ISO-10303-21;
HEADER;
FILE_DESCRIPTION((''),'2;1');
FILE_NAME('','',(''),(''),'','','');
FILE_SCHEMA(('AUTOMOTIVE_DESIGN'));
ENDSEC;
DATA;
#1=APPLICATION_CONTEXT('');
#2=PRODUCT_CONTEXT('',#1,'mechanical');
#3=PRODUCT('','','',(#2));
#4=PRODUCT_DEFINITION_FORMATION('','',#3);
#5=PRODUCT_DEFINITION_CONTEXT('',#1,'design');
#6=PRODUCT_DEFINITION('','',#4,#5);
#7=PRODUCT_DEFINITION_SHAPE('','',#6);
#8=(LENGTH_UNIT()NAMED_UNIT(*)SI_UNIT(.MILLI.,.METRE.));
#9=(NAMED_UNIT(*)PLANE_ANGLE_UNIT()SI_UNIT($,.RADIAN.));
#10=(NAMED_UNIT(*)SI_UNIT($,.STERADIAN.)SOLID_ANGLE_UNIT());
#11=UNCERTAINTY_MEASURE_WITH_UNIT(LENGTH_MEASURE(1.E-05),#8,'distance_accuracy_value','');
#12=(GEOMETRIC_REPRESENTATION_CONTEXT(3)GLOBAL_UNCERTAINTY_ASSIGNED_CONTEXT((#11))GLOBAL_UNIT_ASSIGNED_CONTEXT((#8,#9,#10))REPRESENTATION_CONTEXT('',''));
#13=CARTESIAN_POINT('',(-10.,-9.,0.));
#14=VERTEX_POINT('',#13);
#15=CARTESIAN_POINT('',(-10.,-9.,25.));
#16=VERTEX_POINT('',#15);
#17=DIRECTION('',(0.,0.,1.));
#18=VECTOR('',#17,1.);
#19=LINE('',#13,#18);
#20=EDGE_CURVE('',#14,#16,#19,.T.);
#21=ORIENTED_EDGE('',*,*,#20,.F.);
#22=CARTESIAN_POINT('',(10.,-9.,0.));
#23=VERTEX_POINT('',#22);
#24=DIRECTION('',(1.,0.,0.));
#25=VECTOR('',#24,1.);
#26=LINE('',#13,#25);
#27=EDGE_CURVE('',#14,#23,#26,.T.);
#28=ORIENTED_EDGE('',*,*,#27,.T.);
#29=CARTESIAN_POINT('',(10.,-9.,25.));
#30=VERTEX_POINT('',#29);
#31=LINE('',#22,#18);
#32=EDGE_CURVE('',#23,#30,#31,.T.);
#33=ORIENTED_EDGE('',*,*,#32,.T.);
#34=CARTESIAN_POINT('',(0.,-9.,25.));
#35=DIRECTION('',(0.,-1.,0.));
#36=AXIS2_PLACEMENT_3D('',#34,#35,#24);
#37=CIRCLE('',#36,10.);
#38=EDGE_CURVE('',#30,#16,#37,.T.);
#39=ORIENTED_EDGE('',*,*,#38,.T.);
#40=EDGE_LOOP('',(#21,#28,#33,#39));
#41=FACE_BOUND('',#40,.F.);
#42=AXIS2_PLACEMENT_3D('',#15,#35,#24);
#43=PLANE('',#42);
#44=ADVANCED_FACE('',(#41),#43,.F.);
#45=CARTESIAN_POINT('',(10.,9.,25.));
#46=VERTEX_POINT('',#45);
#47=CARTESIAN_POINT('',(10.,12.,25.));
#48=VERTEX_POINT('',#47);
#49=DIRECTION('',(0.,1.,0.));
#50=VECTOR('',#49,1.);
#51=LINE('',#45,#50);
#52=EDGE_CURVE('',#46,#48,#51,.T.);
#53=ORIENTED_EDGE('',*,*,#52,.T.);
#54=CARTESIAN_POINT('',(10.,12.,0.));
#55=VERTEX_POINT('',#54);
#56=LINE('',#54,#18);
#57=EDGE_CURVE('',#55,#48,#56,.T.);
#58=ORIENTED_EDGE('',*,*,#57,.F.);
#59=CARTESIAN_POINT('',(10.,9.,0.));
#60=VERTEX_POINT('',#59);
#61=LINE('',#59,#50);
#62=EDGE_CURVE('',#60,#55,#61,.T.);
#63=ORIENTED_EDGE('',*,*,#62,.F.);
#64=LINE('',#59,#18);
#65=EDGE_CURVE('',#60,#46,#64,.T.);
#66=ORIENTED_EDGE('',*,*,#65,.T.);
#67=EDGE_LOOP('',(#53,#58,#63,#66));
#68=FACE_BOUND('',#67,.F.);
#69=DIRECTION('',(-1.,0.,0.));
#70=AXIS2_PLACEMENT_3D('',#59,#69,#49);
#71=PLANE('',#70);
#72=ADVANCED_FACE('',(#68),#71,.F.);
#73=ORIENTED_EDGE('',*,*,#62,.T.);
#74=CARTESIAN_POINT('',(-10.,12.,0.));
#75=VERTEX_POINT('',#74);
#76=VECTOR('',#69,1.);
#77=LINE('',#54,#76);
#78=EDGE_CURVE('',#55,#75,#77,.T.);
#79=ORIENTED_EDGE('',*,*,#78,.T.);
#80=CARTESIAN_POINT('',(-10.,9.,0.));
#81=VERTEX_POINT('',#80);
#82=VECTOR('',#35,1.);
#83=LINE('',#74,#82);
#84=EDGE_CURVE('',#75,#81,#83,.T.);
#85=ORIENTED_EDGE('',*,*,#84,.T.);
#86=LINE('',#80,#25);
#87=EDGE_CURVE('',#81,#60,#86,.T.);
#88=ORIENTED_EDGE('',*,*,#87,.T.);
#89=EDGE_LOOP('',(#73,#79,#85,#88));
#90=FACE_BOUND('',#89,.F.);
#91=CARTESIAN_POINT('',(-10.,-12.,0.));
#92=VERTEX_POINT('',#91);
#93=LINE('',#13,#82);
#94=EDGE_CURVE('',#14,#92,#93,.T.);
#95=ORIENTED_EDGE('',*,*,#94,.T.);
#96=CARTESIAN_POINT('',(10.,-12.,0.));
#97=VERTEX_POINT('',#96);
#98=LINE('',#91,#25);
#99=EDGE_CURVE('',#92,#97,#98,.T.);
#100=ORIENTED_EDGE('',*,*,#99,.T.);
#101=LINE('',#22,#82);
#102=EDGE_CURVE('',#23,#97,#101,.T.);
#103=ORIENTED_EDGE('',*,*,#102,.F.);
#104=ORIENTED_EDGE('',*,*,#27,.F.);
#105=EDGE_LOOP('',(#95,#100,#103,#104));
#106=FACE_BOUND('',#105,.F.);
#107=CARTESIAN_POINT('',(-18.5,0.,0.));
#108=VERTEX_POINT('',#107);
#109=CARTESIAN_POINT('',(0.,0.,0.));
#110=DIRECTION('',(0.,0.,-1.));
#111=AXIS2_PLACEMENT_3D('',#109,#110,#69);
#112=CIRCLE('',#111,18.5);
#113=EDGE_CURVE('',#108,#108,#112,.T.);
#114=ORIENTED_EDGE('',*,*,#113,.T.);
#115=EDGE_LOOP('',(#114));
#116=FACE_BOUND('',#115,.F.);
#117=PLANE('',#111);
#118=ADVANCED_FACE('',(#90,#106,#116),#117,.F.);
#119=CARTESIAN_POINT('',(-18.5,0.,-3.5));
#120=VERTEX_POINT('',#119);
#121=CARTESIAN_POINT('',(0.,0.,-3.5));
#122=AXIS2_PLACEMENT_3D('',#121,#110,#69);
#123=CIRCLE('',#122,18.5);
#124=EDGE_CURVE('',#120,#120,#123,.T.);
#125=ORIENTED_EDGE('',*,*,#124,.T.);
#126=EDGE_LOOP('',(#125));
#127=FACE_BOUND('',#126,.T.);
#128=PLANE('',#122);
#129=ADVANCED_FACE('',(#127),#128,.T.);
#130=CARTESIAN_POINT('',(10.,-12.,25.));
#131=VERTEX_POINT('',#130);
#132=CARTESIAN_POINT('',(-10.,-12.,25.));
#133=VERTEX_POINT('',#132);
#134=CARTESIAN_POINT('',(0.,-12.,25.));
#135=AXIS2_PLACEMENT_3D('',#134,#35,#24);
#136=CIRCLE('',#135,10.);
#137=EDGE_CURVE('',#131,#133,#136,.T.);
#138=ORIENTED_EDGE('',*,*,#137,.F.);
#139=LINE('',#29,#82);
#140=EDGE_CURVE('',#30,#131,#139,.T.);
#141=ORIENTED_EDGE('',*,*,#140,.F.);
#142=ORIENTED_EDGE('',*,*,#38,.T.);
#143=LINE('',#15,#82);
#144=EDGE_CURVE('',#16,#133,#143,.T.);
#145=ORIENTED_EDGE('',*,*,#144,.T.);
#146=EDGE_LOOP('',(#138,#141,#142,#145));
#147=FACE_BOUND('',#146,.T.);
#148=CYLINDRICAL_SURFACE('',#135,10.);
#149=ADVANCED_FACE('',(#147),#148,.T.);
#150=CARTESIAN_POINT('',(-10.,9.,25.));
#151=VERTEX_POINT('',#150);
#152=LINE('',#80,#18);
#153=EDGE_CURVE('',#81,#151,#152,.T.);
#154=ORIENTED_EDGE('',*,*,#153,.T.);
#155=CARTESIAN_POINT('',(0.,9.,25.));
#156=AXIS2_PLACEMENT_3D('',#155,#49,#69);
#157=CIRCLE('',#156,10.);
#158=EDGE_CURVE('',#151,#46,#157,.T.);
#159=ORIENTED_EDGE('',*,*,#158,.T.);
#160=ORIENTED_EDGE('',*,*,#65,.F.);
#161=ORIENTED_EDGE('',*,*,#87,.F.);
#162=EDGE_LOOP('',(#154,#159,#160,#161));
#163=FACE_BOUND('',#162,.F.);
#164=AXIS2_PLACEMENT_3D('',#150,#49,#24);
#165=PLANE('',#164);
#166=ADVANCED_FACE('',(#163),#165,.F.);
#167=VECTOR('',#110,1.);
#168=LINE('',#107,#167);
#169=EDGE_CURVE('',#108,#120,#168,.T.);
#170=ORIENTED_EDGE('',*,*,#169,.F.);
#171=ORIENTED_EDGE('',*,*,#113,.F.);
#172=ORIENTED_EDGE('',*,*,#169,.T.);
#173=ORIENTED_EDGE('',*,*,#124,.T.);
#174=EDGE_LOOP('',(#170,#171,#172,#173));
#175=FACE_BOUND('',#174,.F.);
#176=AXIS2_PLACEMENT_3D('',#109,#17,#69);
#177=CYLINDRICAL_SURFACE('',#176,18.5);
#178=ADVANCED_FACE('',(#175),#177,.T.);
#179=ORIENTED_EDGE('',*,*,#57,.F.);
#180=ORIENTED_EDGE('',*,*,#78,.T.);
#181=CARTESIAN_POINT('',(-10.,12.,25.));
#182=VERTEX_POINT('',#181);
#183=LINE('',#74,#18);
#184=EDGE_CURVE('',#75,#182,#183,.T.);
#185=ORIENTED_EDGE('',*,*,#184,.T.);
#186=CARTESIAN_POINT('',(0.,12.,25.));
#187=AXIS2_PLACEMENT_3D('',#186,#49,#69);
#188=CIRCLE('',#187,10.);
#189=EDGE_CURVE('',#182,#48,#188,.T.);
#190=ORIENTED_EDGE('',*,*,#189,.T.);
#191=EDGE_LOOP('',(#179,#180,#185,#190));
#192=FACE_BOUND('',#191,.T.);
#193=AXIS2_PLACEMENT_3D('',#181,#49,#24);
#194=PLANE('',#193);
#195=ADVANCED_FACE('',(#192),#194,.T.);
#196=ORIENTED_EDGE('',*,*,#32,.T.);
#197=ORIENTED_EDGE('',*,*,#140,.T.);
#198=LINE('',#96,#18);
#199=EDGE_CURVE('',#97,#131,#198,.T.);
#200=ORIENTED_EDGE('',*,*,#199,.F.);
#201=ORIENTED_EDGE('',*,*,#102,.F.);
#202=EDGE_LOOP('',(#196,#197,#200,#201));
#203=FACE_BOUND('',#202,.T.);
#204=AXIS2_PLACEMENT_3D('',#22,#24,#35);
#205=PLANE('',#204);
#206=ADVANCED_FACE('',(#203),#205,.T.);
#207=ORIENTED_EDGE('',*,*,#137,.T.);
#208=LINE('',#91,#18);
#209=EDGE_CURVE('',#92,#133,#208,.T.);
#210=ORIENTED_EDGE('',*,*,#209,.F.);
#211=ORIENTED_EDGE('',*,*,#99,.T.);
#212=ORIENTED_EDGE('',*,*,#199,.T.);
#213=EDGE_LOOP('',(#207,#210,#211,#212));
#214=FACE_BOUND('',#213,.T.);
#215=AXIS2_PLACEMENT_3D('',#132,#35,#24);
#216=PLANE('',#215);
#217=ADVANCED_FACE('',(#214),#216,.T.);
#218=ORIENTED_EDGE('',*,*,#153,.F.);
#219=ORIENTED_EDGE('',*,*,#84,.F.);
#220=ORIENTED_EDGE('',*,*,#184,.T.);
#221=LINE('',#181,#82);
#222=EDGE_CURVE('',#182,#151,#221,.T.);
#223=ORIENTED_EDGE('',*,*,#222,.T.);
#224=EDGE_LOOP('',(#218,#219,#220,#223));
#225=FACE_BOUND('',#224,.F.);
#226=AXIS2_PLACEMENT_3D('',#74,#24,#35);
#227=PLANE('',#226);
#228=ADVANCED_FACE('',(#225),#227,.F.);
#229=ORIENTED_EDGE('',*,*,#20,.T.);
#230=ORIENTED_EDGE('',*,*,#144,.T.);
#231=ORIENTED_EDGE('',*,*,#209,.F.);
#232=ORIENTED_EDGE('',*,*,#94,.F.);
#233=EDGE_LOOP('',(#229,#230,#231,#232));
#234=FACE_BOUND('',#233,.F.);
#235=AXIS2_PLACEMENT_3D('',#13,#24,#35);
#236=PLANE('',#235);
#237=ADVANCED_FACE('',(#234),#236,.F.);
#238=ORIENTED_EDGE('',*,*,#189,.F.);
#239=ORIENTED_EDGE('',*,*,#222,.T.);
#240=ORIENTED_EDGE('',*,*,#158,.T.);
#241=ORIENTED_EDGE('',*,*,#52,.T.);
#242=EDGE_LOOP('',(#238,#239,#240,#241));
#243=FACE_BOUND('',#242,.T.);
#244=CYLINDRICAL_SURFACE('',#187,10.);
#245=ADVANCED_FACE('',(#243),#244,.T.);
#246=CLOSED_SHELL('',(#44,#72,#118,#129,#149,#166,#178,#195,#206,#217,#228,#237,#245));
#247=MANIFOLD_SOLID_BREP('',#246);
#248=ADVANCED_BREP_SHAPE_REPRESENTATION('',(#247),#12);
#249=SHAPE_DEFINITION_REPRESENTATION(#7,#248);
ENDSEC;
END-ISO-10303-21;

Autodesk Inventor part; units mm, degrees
ref_plane "YZ Plane" through (0, 0, 0) normal (1, 0, 0) x (0, 1, 0)
ref_plane "XZ Plane" through (0, 0, 0) normal (0, 1, 0) x (-1, 0, 0)
ref_plane "XY Plane" through (0, 0, 0) normal (0, 0, 1) x (1, 0, 0)
sketch "Sketch1 - walls" plane through (0, 0, 0) normal (0, 0, 1) x (1, 0, 0)
  line L0 (0, -9) -> (0, 9) construction
  line L1 (-10, -9) -> (-10, -12)
  line L2 (-10, -12) -> (10, -12)
  line L3 (-10, -9) -> (10, -9)
  line L4 (10, -9) -> (10, -12)
  line L5 (-10, 9) -> (10, 9)
  line L6 (10, 9) -> (10, 12)
  line L7 (10, 12) -> (-10, 12)
  line L8 (-10, 12) -> (-10, 9)
  point P0 (0, 0)
  dimension "d5" = 18
  dimension "d7" = 3
  dimension "d8" = 20
  dimension "d9" = 3
  dimension "d10" = 20
extrude "Extrusion1" add sketch "Sketch1 - walls" along normal blind 25
sketch "Sketch2 - base" plane through (0, 0, 0) normal (0, 0, -1) x (-1, 0, 0)
  circle A0 centre (0, 0) radius 18.5
  dimension "d13" = 37
sketch "Sketch3 - wall_top1" plane through (-10, 12, 25) normal (0, 1, 0) x (1, 0, 0)
  line L0 (10, 0) -> (10, -10) construction
  line L1 (20, 0) -> (0, 0) projected
  arc A0 (0, 0) -> (20, 0) centre (10, 0) ccw
  point P0 (10, 25)
  dimension "d16" = 10
extrude "Extrusion3" add sketch "Sketch3 - wall_top1" against normal blind 3
sketch "Sketch4 - wall_top2" plane through (-10, -12, 25) normal (0, -1, 0) x (1, 0, 0)
  line L0 (10, 0) -> (10, 10) construction
  line L1 (0, 0) -> (20, 0) projected
  arc A0 (20, 0) -> (0, 0) centre (10, 0) ccw
  dimension "d21" = 10
extrude "Extrusion4" add sketch "Sketch4 - wall_top2" against normal blind 3
extrude "Extrusion2" add sketch "Sketch2 - base" along normal blind 3.5
properties part number "swivel"
